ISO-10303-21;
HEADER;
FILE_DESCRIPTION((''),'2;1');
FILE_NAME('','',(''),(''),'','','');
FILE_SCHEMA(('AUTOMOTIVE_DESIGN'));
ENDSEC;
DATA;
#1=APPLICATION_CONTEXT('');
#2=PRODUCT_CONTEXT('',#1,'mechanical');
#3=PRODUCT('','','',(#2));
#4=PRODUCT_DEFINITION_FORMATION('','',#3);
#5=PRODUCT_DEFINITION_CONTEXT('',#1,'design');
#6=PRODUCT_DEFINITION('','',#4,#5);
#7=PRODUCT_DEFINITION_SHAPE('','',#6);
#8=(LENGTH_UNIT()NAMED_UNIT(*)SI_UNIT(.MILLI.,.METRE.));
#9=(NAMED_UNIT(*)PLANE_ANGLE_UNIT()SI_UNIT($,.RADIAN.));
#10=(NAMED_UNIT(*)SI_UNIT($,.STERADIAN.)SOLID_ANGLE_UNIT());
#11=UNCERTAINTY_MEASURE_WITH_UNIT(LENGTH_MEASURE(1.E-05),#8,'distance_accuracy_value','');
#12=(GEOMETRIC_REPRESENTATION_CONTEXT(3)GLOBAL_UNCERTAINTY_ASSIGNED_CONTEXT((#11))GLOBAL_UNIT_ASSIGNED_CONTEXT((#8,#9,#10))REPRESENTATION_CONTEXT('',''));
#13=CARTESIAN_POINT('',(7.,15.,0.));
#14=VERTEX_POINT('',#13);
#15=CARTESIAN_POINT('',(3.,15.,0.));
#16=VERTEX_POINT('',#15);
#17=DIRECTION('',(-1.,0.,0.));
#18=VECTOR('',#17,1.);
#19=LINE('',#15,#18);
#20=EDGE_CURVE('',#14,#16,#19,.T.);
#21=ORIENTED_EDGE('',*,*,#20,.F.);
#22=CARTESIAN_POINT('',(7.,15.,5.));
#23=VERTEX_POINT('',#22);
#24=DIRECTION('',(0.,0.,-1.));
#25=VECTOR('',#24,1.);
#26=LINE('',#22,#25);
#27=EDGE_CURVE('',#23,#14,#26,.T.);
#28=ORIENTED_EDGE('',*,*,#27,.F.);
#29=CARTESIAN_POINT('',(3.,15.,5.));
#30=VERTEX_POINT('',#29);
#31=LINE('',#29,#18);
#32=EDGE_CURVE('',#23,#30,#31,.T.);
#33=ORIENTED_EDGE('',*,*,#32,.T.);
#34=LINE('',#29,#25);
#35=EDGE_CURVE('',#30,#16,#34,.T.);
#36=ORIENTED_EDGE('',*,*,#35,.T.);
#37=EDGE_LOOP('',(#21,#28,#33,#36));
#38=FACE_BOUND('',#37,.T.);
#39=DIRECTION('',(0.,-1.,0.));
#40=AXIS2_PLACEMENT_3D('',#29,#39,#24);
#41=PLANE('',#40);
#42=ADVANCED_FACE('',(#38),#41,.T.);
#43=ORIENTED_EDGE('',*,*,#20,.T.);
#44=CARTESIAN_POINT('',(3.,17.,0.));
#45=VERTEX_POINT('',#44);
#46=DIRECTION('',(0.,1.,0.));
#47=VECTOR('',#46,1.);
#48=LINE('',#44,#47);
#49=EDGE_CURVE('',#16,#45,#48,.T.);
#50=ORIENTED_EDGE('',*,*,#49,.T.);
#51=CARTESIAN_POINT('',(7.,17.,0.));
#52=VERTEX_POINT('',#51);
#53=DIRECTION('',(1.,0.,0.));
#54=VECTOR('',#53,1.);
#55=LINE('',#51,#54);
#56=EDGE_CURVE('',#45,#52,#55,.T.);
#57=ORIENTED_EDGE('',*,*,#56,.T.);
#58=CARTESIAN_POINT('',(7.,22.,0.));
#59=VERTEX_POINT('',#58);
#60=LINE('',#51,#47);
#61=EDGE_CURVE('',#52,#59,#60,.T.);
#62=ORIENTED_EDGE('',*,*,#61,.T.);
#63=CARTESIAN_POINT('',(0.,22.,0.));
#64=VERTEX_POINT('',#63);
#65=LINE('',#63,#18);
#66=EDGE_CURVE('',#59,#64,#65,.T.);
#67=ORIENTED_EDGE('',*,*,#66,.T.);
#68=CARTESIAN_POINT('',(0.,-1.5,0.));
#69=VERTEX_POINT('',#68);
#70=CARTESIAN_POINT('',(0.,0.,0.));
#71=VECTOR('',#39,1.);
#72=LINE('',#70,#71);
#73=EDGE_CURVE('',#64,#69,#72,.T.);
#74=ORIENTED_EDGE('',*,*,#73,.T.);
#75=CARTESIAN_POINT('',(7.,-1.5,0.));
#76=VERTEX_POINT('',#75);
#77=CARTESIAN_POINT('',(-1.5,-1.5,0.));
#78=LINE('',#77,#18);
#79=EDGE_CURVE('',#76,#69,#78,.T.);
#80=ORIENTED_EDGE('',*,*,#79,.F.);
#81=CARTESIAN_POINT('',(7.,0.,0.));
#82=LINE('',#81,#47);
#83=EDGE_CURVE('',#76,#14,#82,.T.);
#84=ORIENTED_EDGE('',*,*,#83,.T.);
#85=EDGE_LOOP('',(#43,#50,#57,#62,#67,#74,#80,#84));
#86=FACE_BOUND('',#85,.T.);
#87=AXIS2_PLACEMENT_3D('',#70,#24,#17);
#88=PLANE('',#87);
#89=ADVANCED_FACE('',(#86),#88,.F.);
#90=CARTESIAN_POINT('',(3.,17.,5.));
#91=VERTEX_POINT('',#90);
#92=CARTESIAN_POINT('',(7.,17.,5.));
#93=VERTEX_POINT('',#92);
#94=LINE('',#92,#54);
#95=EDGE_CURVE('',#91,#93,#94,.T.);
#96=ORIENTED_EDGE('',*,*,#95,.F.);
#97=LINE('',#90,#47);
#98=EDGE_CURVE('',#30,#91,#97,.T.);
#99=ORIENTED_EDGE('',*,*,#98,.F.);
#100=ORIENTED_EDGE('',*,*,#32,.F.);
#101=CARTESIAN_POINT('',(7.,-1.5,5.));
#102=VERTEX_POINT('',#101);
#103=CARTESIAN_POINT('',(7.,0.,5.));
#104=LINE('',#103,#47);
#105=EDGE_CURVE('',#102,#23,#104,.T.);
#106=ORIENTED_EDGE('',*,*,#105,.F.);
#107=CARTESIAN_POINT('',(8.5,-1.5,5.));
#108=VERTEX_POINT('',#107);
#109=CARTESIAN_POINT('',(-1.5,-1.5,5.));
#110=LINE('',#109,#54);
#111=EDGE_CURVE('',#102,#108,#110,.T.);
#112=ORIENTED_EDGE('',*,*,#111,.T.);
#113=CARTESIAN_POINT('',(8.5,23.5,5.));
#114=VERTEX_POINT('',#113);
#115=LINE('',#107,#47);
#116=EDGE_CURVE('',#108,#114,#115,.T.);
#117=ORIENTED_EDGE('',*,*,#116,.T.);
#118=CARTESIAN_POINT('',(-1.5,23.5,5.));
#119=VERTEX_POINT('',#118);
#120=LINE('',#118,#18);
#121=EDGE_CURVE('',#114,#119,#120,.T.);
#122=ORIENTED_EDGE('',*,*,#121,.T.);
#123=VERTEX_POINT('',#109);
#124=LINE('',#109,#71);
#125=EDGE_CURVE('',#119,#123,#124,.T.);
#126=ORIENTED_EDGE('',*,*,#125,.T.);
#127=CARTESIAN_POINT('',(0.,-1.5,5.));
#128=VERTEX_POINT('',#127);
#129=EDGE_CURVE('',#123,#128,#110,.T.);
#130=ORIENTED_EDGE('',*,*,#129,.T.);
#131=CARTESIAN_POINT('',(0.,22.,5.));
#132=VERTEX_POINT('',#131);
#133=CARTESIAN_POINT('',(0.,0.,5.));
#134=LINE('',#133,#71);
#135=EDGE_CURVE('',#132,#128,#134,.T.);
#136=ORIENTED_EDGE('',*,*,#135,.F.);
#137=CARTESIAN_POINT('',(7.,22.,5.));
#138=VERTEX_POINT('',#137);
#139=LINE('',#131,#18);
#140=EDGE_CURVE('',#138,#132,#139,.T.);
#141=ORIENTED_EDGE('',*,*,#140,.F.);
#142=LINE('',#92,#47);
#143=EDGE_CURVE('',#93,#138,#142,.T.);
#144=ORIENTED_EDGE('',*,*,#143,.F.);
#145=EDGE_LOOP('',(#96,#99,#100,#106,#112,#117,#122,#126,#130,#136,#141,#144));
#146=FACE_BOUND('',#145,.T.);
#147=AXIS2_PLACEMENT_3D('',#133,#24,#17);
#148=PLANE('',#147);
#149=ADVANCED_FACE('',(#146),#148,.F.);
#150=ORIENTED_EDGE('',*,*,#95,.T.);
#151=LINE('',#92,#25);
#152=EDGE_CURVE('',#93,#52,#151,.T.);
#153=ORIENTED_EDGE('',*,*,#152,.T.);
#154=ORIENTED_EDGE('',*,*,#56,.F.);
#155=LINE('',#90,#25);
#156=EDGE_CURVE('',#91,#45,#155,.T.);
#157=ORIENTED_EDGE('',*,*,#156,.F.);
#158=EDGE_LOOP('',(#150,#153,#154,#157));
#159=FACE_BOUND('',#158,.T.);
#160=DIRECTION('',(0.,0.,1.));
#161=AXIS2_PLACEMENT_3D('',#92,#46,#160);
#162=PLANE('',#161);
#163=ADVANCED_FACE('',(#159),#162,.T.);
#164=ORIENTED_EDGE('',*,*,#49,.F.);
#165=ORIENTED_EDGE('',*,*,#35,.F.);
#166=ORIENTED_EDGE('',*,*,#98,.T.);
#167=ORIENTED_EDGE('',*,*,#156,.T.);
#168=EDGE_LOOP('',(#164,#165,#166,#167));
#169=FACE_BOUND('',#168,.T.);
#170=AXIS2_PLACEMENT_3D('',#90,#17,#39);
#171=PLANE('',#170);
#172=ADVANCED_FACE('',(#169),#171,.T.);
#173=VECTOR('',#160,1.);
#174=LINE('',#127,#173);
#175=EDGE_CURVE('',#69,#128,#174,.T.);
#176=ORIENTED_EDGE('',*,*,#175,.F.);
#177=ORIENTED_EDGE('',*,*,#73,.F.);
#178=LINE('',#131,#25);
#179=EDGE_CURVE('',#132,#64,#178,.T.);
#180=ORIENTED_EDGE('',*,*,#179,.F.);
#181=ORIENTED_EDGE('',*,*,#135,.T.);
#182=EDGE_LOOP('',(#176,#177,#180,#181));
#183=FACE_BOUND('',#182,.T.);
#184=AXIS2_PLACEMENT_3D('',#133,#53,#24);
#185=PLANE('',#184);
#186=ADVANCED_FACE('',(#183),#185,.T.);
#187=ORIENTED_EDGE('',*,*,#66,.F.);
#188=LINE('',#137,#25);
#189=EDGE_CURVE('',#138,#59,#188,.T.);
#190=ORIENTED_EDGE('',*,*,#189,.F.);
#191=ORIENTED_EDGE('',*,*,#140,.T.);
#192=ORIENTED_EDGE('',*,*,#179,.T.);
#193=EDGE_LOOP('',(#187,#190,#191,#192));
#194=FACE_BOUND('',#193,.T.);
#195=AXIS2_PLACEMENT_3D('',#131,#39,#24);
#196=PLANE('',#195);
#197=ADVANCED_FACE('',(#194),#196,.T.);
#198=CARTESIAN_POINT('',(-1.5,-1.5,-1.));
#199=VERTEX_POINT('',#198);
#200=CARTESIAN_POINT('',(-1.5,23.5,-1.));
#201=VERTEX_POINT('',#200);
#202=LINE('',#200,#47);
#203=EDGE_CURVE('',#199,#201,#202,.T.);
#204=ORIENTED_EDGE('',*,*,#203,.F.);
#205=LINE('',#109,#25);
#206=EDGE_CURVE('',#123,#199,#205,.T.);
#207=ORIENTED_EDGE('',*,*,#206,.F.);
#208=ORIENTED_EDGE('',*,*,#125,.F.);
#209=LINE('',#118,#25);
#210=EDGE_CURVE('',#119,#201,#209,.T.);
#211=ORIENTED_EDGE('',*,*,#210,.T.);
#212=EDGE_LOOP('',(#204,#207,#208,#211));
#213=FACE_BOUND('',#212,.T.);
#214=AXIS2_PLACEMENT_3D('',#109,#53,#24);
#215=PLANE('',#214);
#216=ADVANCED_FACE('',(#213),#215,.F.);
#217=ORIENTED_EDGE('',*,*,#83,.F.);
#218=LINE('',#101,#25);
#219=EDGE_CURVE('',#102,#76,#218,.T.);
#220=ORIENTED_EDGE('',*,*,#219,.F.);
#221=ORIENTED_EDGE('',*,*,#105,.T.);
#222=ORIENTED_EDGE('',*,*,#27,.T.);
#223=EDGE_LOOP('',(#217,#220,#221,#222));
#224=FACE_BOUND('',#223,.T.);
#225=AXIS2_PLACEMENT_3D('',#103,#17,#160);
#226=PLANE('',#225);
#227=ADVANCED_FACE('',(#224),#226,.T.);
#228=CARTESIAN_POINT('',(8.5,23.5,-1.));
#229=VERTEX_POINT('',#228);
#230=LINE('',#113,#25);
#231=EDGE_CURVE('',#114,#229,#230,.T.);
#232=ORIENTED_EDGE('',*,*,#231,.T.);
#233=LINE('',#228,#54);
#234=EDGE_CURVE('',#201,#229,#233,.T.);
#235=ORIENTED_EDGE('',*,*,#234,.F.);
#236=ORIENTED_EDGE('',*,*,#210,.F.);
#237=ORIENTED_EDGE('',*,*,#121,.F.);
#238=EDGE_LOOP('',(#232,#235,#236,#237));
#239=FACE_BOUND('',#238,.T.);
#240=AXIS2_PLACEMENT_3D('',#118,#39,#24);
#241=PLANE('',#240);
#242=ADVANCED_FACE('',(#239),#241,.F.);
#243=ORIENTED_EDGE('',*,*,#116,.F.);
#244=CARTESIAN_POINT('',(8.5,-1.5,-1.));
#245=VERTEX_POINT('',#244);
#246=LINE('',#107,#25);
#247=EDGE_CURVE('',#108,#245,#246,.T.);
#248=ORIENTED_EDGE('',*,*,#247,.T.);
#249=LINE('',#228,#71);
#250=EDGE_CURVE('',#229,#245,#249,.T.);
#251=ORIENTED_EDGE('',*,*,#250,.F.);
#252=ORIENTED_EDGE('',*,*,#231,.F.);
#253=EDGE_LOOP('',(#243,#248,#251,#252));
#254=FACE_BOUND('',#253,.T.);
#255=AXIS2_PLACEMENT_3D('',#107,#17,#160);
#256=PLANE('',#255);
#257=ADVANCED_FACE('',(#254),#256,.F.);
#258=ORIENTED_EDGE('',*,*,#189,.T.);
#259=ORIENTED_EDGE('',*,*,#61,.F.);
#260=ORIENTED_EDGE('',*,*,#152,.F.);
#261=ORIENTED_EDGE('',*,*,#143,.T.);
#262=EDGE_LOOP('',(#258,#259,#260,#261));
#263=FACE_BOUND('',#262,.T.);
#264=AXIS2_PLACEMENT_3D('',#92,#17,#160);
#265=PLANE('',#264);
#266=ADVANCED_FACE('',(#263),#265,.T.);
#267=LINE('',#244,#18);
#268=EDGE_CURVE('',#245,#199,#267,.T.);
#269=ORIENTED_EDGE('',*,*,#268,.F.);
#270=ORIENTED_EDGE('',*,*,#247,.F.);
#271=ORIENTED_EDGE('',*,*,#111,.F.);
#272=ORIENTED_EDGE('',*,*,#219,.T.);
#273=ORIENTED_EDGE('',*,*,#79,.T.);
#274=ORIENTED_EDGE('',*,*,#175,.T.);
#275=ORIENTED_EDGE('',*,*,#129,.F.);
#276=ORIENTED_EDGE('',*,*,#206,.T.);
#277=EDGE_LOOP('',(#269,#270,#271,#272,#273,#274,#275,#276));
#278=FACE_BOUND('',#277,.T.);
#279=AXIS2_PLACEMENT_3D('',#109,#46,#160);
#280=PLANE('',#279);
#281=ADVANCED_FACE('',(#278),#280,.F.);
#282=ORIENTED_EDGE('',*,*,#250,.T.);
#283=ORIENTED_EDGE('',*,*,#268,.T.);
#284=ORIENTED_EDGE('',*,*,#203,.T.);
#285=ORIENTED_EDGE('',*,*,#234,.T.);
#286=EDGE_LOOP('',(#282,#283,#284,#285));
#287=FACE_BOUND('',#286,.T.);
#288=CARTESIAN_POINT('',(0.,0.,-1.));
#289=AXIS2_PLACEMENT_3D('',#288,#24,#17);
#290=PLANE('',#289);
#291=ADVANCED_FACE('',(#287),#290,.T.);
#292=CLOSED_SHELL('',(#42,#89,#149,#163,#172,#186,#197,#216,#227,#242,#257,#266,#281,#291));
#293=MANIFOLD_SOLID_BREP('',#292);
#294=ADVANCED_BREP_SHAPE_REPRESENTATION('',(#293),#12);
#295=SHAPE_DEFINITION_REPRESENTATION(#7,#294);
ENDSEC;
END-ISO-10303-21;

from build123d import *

# Parameters (mm, degrees)
SKETCH1_W           = 10
SKETCH1_H           = 25
BOSS_EXTRUDE1_DEPTH = 5
SKETCH2_W           = 10
SKETCH2_H           = 25
BOSS_EXTRUDE2_DEPTH = 1
SKETCH3_W           = 7
SKETCH3_H           = 5
CUT_EXTRUDE1_DEPTH  = 5


with BuildPart() as part:
    # Sketch1 → Boss-Extrude1 (new body)
    with BuildSketch(Plane.XY):
        with Locations((3.5, 11)):
            Rectangle(SKETCH1_W, SKETCH1_H)
        Polygon((7, 17), (3, 17), (3, 15), (7, 15), (7, 0), (0, 0), (0, 22), (7, 22), align=None, mode=Mode.SUBTRACT)
    extrude(amount=BOSS_EXTRUDE1_DEPTH)

    # Sketch2 → Boss-Extrude2 (add)
    with BuildSketch(Plane(origin=(0, 0, 0), x_dir=(-1, 0, 0), z_dir=(0, 0, -1))):
        with Locations((-3.5, 11)):
            Rectangle(SKETCH2_W, SKETCH2_H)
    extrude(amount=BOSS_EXTRUDE2_DEPTH)

    # Sketch3 → Cut-Extrude1 (cut)
    with BuildSketch(Plane(origin=(0, 0, 0), x_dir=(1, 0, 0), z_dir=(0, 1, 0))):
        with Locations((3.5, -2.5)):
            Rectangle(SKETCH3_W, SKETCH3_H)
    extrude(amount=-CUT_EXTRUDE1_DEPTH, mode=Mode.SUBTRACT)


solid = part.part
